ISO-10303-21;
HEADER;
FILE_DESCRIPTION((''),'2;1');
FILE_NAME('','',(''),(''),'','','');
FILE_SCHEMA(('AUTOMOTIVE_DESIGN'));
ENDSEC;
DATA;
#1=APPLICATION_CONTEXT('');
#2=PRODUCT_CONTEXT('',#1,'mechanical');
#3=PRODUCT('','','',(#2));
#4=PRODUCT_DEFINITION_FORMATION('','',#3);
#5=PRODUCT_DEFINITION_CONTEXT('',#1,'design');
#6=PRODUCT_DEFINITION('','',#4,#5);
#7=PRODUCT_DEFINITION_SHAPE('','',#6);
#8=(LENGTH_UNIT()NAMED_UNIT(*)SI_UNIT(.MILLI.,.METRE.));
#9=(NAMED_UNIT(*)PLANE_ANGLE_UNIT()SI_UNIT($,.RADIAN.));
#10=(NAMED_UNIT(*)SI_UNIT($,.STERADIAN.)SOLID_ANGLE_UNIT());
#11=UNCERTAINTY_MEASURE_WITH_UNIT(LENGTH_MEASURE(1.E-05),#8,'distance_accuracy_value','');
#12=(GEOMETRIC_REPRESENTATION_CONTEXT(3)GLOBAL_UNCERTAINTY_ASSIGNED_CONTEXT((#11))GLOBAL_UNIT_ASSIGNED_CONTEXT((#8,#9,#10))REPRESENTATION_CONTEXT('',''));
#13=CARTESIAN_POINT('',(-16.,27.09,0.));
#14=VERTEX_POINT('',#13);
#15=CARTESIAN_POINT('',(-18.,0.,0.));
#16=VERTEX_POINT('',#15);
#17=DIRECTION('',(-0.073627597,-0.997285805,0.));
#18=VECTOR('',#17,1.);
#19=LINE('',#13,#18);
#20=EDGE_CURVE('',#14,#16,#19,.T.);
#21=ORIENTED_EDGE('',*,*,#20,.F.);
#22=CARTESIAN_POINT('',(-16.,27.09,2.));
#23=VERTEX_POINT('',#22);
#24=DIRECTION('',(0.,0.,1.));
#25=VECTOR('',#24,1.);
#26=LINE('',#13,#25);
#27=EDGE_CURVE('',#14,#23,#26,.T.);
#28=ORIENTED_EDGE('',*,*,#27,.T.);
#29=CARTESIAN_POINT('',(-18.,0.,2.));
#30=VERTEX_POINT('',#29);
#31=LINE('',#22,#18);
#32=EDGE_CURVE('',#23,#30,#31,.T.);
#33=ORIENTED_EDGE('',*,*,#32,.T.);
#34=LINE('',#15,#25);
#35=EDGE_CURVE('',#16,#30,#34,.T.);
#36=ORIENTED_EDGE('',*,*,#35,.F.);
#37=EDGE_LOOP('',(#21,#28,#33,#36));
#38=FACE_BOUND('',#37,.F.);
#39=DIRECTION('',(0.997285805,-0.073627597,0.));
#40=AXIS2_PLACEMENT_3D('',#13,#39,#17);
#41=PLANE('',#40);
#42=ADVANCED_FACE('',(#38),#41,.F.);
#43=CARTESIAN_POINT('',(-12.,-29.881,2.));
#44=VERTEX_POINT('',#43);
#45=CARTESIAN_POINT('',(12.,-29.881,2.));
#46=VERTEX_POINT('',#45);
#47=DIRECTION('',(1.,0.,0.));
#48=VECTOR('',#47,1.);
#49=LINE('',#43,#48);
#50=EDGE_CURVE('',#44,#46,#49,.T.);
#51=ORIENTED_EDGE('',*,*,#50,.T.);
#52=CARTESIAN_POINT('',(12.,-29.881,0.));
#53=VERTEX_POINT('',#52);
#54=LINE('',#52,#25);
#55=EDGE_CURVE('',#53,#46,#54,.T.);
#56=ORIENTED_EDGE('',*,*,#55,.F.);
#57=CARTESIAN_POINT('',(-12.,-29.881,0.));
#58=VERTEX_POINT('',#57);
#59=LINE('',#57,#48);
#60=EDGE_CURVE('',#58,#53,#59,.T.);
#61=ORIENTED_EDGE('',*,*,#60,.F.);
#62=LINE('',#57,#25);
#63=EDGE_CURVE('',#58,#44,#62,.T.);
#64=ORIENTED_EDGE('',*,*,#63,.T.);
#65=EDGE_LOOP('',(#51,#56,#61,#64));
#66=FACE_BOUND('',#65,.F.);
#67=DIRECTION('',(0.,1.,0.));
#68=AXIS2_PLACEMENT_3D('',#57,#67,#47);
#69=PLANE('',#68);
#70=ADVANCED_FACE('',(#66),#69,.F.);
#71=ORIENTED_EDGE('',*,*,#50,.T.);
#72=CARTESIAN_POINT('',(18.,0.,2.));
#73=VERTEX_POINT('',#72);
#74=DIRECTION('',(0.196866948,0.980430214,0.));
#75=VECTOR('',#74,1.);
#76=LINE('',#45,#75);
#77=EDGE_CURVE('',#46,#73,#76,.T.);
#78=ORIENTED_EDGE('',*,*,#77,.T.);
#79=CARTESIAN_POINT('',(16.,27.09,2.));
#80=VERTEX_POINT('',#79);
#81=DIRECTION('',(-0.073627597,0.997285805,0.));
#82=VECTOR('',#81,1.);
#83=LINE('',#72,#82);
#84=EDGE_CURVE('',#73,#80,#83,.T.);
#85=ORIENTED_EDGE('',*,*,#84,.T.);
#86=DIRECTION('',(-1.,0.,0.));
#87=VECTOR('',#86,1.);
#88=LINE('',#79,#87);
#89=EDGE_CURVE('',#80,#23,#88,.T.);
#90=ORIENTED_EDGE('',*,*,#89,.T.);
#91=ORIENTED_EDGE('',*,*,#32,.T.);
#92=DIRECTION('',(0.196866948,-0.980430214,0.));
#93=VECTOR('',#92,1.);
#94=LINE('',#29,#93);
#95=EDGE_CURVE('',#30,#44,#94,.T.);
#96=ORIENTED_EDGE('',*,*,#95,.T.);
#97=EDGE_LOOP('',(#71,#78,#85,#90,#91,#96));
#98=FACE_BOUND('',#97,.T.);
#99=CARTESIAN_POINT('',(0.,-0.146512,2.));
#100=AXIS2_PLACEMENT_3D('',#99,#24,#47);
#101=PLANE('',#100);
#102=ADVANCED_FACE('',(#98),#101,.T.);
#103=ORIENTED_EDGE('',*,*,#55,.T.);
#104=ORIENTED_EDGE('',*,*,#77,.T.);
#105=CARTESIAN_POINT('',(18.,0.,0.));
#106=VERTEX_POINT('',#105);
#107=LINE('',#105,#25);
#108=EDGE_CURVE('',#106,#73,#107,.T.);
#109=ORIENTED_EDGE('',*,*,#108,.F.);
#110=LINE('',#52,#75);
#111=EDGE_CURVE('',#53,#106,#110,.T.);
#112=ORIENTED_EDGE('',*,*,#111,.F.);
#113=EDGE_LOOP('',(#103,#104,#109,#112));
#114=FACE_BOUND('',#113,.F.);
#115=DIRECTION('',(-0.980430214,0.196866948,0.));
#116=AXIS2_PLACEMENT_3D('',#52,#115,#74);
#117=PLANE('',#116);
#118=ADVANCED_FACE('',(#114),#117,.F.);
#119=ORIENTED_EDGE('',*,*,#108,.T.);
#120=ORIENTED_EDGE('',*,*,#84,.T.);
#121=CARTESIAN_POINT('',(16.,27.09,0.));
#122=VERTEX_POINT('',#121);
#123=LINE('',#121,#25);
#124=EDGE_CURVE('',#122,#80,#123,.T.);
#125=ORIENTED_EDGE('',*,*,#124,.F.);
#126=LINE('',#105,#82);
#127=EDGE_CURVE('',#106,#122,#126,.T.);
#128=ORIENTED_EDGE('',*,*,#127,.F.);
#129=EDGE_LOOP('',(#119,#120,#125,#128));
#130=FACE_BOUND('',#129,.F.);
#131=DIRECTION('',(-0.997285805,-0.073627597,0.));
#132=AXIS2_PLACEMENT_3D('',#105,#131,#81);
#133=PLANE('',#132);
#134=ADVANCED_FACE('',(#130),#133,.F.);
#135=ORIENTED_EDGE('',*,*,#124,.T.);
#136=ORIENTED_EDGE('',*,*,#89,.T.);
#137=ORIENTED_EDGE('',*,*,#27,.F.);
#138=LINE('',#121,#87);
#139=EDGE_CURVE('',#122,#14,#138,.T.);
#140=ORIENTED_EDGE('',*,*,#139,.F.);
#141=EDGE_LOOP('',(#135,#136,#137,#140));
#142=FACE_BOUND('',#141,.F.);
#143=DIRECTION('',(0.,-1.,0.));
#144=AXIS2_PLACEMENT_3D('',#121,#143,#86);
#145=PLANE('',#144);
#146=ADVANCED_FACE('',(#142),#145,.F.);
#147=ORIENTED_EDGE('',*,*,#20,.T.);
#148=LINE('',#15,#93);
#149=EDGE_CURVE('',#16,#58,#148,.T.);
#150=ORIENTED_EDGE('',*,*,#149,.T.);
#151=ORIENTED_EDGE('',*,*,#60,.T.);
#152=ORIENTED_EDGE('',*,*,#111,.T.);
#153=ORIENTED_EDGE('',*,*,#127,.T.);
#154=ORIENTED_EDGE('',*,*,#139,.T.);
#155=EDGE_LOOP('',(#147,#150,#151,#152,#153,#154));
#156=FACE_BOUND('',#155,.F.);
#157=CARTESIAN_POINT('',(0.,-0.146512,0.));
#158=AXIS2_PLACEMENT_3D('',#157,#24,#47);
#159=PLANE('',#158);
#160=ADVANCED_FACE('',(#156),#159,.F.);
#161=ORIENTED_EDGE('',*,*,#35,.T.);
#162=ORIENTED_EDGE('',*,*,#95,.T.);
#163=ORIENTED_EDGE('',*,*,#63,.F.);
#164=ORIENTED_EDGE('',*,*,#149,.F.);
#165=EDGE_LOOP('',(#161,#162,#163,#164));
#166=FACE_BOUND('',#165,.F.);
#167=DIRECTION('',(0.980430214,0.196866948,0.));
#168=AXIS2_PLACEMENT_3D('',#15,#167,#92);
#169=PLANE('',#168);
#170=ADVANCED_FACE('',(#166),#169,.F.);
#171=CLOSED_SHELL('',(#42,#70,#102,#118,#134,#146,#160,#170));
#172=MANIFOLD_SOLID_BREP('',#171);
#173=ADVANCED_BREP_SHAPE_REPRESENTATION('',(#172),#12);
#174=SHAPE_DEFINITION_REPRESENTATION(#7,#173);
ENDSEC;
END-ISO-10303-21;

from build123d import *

# Parameters (mm, degrees)
PAD_DEPTH = 2


with BuildPart() as part:
    # Sketch → Pad (new body)
    with BuildSketch(Plane.XY):
        Polygon((-16, 27.09), (-18, 0), (-12, -29.881), (12, -29.881), (18, 0), (16, 27.09), align=None)
    extrude(amount=PAD_DEPTH)


solid = part.part
